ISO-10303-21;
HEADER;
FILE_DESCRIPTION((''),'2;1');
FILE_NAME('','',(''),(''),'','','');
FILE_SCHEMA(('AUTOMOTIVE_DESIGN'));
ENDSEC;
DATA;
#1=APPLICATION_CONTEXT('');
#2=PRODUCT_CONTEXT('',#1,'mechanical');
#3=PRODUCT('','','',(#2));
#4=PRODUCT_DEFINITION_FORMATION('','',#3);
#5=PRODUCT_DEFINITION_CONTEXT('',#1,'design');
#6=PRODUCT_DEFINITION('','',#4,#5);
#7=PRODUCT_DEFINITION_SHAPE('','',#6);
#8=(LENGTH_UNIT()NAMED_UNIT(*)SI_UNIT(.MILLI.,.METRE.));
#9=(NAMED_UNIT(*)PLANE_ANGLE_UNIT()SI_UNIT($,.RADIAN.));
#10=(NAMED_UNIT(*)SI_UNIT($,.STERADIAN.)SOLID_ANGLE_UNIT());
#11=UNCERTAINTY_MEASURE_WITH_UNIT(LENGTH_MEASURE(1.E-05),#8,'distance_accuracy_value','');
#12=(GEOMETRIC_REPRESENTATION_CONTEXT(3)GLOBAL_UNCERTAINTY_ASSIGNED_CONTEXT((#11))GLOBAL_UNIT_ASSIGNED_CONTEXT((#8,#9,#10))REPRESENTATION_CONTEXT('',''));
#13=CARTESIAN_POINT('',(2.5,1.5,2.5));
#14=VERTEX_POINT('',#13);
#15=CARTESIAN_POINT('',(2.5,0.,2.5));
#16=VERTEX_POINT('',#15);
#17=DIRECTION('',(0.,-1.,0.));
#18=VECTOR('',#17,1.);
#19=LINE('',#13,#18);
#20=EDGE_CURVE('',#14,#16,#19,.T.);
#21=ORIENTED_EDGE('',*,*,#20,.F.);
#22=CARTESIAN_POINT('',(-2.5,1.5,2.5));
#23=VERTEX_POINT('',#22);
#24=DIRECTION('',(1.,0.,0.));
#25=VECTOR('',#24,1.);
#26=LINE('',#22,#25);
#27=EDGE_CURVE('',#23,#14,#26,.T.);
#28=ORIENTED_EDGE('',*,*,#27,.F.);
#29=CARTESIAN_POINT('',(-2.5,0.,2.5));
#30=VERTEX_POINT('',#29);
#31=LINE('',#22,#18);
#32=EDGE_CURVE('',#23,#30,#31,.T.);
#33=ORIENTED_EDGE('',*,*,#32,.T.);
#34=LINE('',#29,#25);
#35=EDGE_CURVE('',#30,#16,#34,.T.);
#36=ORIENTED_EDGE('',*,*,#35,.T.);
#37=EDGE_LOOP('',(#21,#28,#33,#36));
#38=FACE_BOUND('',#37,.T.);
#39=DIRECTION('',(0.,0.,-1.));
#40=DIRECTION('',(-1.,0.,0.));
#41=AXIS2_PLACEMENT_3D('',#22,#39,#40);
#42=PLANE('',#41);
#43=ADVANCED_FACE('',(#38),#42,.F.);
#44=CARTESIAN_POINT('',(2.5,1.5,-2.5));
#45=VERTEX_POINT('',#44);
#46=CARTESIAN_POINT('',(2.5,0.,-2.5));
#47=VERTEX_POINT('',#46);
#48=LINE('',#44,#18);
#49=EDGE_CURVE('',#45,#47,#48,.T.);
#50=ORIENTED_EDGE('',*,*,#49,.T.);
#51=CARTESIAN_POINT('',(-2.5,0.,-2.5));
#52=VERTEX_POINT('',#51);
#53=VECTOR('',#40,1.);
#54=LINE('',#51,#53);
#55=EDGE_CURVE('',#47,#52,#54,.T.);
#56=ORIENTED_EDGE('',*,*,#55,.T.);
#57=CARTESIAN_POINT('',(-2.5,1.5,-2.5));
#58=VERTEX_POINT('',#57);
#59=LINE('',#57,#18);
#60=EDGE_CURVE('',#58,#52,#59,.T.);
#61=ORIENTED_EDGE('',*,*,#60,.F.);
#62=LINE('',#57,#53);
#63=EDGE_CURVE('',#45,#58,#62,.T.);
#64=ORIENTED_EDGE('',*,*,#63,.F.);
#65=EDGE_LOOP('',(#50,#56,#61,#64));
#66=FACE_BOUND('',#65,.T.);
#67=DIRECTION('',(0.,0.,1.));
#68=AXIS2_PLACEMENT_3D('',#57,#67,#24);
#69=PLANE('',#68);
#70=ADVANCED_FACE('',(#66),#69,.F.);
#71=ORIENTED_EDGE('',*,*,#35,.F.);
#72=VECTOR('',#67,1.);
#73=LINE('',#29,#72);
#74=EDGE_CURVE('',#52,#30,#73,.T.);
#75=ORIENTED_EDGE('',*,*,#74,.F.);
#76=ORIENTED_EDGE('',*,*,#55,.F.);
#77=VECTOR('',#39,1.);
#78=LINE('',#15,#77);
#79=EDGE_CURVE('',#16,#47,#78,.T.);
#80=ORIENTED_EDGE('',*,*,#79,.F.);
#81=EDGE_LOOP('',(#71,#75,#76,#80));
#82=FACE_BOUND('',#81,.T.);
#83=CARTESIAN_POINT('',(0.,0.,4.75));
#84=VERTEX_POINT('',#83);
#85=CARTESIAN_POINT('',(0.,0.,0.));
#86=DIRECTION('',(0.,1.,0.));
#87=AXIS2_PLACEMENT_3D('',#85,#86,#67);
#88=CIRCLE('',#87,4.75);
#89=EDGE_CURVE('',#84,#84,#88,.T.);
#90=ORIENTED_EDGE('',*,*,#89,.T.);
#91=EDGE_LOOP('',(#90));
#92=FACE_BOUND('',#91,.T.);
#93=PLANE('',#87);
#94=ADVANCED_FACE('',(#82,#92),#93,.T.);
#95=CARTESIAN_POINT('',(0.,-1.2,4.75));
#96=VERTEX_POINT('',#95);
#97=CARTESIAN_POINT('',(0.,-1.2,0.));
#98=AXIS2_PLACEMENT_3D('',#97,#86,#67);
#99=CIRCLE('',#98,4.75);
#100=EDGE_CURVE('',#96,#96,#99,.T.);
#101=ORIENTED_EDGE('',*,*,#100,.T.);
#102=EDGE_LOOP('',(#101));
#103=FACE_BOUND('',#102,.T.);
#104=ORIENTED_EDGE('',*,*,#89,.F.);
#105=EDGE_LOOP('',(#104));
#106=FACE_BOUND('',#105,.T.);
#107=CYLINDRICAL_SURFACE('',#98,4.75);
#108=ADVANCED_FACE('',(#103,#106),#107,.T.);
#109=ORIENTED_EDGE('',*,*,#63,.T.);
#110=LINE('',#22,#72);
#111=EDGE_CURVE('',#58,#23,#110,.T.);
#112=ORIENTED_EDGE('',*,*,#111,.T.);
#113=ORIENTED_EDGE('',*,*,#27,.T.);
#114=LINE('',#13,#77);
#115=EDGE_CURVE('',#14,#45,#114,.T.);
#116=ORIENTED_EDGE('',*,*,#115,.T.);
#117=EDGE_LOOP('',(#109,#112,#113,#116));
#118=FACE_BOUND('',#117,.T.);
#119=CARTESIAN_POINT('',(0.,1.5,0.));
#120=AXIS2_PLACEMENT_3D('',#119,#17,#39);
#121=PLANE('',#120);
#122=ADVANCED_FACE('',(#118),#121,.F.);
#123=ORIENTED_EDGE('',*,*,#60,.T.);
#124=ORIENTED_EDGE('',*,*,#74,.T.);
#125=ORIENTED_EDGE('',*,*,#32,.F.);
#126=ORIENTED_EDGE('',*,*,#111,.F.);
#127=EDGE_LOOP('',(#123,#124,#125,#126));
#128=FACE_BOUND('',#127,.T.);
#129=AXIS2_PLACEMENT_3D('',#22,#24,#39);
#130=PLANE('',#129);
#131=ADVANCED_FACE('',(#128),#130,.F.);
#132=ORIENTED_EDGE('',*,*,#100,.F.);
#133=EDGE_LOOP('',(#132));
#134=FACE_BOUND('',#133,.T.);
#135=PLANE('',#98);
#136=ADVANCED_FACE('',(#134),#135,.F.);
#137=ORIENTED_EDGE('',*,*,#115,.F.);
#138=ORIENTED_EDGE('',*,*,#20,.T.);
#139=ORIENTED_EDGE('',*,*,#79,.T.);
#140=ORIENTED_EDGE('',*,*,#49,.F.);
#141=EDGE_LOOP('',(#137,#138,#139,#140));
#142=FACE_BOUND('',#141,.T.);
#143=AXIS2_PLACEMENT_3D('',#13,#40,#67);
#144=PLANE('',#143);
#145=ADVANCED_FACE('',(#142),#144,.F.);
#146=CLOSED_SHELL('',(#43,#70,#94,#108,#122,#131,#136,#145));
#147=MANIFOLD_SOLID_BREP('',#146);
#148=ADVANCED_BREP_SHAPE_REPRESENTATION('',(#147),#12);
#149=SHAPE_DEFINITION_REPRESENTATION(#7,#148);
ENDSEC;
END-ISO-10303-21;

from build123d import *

# Parameters (mm, degrees)
SKETCH1_R           = 4.75
BOSS_EXTRUDE1_DEPTH = 1.2
SKETCH2_W           = 5
SKETCH2_H           = 5
BOSS_EXTRUDE2_DEPTH = 1.5


with BuildPart() as part:
    # Sketch1 → Boss-Extrude1 (new body)
    with BuildSketch(Plane(origin=(0, 0, 0), x_dir=(1, 0, 0), z_dir=(0, 1, 0))):
        with Locations(Location((0, 0, 0), (0, 0, 270))):
            Circle(SKETCH1_R)
    extrude(amount=-BOSS_EXTRUDE1_DEPTH)

    # Sketch2 → Boss-Extrude2 (add)
    with BuildSketch(Plane(origin=(0, 0, 0), x_dir=(1, 0, 0), z_dir=(0, 1, 0))):
        Rectangle(SKETCH2_W, SKETCH2_H)
    extrude(amount=BOSS_EXTRUDE2_DEPTH)


solid = part.part
